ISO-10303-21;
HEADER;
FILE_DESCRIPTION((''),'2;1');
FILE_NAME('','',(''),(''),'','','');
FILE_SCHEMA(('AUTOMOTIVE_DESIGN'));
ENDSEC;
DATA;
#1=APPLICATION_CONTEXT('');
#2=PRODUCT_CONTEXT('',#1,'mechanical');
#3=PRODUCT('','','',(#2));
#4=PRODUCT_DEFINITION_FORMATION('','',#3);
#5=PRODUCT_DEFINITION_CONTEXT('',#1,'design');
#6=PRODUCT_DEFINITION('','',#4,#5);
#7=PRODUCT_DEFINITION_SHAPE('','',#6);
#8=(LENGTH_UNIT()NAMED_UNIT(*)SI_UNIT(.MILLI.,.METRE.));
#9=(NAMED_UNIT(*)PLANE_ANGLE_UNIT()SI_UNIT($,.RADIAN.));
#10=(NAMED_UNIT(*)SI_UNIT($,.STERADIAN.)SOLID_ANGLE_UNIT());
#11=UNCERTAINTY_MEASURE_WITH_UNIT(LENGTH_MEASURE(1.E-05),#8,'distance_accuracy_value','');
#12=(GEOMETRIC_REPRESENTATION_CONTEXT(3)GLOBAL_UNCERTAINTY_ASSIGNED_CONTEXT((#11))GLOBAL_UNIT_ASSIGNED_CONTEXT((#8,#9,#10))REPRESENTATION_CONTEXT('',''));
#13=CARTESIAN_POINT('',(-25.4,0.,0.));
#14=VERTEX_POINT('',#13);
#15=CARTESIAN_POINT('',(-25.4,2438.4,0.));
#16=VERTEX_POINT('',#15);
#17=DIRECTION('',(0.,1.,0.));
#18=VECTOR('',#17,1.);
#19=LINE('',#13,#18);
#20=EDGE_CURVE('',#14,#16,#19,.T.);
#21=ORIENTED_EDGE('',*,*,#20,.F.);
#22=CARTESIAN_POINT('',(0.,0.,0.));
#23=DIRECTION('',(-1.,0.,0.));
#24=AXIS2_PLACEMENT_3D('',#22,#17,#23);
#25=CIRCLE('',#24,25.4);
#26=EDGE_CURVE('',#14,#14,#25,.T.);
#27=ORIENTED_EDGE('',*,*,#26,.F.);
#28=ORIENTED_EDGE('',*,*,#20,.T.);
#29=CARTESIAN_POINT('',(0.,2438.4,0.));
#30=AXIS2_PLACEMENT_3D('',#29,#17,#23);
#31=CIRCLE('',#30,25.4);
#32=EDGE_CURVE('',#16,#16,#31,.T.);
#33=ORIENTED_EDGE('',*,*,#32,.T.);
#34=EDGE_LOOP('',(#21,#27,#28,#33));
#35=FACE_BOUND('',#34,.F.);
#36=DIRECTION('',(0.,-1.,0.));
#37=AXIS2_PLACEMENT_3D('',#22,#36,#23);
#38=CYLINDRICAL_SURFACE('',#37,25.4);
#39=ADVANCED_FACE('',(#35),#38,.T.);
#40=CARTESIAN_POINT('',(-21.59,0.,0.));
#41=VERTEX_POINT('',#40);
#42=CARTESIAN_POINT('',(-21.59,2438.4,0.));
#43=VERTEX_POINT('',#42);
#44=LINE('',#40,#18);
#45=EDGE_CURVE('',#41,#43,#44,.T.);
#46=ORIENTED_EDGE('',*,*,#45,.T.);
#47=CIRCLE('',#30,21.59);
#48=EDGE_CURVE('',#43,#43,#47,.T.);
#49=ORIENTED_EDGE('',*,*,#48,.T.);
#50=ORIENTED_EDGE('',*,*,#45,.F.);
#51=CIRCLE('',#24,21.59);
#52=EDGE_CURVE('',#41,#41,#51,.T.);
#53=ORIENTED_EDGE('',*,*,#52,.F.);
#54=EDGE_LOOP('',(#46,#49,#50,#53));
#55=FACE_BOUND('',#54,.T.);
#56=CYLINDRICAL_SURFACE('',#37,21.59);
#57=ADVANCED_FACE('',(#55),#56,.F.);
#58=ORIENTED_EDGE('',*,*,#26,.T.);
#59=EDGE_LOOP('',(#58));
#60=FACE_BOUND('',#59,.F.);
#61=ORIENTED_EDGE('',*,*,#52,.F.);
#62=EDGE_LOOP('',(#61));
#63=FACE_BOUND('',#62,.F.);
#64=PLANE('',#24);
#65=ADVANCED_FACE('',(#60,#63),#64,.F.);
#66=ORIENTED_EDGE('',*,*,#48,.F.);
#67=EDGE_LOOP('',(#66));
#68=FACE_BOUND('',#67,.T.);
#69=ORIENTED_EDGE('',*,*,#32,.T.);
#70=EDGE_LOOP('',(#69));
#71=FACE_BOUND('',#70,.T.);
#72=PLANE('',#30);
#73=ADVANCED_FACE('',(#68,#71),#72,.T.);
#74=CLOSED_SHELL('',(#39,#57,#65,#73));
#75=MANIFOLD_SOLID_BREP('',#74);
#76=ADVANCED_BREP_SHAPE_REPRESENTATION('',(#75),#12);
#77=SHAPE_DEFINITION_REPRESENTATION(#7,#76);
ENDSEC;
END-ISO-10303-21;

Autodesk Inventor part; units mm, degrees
ref_plane "YZ Plane" through (0, 0, 0) normal (1, 0, 0) x (0, 1, 0)
ref_plane "XZ Plane" through (0, 0, 0) normal (0, 1, 0) x (-1, 0, 0)
ref_plane "XY Plane" through (0, 0, 0) normal (0, 0, 1) x (1, 0, 0)
sketch "Sketch1" plane through (0, 0, 0) normal (0, 1, 0) x (-1, 0, 0)
  circle A0 centre (0, 0) radius 25.4
  circle A1 centre (0, 0) radius 21.59
  dimension "d0" = 50.8
  dimension "d1" = 3.81
extrude "Extrusion1" add sketch "Sketch1" along normal blind 2438.4
properties part number "2x8PVC" material "ABS Plastic"
